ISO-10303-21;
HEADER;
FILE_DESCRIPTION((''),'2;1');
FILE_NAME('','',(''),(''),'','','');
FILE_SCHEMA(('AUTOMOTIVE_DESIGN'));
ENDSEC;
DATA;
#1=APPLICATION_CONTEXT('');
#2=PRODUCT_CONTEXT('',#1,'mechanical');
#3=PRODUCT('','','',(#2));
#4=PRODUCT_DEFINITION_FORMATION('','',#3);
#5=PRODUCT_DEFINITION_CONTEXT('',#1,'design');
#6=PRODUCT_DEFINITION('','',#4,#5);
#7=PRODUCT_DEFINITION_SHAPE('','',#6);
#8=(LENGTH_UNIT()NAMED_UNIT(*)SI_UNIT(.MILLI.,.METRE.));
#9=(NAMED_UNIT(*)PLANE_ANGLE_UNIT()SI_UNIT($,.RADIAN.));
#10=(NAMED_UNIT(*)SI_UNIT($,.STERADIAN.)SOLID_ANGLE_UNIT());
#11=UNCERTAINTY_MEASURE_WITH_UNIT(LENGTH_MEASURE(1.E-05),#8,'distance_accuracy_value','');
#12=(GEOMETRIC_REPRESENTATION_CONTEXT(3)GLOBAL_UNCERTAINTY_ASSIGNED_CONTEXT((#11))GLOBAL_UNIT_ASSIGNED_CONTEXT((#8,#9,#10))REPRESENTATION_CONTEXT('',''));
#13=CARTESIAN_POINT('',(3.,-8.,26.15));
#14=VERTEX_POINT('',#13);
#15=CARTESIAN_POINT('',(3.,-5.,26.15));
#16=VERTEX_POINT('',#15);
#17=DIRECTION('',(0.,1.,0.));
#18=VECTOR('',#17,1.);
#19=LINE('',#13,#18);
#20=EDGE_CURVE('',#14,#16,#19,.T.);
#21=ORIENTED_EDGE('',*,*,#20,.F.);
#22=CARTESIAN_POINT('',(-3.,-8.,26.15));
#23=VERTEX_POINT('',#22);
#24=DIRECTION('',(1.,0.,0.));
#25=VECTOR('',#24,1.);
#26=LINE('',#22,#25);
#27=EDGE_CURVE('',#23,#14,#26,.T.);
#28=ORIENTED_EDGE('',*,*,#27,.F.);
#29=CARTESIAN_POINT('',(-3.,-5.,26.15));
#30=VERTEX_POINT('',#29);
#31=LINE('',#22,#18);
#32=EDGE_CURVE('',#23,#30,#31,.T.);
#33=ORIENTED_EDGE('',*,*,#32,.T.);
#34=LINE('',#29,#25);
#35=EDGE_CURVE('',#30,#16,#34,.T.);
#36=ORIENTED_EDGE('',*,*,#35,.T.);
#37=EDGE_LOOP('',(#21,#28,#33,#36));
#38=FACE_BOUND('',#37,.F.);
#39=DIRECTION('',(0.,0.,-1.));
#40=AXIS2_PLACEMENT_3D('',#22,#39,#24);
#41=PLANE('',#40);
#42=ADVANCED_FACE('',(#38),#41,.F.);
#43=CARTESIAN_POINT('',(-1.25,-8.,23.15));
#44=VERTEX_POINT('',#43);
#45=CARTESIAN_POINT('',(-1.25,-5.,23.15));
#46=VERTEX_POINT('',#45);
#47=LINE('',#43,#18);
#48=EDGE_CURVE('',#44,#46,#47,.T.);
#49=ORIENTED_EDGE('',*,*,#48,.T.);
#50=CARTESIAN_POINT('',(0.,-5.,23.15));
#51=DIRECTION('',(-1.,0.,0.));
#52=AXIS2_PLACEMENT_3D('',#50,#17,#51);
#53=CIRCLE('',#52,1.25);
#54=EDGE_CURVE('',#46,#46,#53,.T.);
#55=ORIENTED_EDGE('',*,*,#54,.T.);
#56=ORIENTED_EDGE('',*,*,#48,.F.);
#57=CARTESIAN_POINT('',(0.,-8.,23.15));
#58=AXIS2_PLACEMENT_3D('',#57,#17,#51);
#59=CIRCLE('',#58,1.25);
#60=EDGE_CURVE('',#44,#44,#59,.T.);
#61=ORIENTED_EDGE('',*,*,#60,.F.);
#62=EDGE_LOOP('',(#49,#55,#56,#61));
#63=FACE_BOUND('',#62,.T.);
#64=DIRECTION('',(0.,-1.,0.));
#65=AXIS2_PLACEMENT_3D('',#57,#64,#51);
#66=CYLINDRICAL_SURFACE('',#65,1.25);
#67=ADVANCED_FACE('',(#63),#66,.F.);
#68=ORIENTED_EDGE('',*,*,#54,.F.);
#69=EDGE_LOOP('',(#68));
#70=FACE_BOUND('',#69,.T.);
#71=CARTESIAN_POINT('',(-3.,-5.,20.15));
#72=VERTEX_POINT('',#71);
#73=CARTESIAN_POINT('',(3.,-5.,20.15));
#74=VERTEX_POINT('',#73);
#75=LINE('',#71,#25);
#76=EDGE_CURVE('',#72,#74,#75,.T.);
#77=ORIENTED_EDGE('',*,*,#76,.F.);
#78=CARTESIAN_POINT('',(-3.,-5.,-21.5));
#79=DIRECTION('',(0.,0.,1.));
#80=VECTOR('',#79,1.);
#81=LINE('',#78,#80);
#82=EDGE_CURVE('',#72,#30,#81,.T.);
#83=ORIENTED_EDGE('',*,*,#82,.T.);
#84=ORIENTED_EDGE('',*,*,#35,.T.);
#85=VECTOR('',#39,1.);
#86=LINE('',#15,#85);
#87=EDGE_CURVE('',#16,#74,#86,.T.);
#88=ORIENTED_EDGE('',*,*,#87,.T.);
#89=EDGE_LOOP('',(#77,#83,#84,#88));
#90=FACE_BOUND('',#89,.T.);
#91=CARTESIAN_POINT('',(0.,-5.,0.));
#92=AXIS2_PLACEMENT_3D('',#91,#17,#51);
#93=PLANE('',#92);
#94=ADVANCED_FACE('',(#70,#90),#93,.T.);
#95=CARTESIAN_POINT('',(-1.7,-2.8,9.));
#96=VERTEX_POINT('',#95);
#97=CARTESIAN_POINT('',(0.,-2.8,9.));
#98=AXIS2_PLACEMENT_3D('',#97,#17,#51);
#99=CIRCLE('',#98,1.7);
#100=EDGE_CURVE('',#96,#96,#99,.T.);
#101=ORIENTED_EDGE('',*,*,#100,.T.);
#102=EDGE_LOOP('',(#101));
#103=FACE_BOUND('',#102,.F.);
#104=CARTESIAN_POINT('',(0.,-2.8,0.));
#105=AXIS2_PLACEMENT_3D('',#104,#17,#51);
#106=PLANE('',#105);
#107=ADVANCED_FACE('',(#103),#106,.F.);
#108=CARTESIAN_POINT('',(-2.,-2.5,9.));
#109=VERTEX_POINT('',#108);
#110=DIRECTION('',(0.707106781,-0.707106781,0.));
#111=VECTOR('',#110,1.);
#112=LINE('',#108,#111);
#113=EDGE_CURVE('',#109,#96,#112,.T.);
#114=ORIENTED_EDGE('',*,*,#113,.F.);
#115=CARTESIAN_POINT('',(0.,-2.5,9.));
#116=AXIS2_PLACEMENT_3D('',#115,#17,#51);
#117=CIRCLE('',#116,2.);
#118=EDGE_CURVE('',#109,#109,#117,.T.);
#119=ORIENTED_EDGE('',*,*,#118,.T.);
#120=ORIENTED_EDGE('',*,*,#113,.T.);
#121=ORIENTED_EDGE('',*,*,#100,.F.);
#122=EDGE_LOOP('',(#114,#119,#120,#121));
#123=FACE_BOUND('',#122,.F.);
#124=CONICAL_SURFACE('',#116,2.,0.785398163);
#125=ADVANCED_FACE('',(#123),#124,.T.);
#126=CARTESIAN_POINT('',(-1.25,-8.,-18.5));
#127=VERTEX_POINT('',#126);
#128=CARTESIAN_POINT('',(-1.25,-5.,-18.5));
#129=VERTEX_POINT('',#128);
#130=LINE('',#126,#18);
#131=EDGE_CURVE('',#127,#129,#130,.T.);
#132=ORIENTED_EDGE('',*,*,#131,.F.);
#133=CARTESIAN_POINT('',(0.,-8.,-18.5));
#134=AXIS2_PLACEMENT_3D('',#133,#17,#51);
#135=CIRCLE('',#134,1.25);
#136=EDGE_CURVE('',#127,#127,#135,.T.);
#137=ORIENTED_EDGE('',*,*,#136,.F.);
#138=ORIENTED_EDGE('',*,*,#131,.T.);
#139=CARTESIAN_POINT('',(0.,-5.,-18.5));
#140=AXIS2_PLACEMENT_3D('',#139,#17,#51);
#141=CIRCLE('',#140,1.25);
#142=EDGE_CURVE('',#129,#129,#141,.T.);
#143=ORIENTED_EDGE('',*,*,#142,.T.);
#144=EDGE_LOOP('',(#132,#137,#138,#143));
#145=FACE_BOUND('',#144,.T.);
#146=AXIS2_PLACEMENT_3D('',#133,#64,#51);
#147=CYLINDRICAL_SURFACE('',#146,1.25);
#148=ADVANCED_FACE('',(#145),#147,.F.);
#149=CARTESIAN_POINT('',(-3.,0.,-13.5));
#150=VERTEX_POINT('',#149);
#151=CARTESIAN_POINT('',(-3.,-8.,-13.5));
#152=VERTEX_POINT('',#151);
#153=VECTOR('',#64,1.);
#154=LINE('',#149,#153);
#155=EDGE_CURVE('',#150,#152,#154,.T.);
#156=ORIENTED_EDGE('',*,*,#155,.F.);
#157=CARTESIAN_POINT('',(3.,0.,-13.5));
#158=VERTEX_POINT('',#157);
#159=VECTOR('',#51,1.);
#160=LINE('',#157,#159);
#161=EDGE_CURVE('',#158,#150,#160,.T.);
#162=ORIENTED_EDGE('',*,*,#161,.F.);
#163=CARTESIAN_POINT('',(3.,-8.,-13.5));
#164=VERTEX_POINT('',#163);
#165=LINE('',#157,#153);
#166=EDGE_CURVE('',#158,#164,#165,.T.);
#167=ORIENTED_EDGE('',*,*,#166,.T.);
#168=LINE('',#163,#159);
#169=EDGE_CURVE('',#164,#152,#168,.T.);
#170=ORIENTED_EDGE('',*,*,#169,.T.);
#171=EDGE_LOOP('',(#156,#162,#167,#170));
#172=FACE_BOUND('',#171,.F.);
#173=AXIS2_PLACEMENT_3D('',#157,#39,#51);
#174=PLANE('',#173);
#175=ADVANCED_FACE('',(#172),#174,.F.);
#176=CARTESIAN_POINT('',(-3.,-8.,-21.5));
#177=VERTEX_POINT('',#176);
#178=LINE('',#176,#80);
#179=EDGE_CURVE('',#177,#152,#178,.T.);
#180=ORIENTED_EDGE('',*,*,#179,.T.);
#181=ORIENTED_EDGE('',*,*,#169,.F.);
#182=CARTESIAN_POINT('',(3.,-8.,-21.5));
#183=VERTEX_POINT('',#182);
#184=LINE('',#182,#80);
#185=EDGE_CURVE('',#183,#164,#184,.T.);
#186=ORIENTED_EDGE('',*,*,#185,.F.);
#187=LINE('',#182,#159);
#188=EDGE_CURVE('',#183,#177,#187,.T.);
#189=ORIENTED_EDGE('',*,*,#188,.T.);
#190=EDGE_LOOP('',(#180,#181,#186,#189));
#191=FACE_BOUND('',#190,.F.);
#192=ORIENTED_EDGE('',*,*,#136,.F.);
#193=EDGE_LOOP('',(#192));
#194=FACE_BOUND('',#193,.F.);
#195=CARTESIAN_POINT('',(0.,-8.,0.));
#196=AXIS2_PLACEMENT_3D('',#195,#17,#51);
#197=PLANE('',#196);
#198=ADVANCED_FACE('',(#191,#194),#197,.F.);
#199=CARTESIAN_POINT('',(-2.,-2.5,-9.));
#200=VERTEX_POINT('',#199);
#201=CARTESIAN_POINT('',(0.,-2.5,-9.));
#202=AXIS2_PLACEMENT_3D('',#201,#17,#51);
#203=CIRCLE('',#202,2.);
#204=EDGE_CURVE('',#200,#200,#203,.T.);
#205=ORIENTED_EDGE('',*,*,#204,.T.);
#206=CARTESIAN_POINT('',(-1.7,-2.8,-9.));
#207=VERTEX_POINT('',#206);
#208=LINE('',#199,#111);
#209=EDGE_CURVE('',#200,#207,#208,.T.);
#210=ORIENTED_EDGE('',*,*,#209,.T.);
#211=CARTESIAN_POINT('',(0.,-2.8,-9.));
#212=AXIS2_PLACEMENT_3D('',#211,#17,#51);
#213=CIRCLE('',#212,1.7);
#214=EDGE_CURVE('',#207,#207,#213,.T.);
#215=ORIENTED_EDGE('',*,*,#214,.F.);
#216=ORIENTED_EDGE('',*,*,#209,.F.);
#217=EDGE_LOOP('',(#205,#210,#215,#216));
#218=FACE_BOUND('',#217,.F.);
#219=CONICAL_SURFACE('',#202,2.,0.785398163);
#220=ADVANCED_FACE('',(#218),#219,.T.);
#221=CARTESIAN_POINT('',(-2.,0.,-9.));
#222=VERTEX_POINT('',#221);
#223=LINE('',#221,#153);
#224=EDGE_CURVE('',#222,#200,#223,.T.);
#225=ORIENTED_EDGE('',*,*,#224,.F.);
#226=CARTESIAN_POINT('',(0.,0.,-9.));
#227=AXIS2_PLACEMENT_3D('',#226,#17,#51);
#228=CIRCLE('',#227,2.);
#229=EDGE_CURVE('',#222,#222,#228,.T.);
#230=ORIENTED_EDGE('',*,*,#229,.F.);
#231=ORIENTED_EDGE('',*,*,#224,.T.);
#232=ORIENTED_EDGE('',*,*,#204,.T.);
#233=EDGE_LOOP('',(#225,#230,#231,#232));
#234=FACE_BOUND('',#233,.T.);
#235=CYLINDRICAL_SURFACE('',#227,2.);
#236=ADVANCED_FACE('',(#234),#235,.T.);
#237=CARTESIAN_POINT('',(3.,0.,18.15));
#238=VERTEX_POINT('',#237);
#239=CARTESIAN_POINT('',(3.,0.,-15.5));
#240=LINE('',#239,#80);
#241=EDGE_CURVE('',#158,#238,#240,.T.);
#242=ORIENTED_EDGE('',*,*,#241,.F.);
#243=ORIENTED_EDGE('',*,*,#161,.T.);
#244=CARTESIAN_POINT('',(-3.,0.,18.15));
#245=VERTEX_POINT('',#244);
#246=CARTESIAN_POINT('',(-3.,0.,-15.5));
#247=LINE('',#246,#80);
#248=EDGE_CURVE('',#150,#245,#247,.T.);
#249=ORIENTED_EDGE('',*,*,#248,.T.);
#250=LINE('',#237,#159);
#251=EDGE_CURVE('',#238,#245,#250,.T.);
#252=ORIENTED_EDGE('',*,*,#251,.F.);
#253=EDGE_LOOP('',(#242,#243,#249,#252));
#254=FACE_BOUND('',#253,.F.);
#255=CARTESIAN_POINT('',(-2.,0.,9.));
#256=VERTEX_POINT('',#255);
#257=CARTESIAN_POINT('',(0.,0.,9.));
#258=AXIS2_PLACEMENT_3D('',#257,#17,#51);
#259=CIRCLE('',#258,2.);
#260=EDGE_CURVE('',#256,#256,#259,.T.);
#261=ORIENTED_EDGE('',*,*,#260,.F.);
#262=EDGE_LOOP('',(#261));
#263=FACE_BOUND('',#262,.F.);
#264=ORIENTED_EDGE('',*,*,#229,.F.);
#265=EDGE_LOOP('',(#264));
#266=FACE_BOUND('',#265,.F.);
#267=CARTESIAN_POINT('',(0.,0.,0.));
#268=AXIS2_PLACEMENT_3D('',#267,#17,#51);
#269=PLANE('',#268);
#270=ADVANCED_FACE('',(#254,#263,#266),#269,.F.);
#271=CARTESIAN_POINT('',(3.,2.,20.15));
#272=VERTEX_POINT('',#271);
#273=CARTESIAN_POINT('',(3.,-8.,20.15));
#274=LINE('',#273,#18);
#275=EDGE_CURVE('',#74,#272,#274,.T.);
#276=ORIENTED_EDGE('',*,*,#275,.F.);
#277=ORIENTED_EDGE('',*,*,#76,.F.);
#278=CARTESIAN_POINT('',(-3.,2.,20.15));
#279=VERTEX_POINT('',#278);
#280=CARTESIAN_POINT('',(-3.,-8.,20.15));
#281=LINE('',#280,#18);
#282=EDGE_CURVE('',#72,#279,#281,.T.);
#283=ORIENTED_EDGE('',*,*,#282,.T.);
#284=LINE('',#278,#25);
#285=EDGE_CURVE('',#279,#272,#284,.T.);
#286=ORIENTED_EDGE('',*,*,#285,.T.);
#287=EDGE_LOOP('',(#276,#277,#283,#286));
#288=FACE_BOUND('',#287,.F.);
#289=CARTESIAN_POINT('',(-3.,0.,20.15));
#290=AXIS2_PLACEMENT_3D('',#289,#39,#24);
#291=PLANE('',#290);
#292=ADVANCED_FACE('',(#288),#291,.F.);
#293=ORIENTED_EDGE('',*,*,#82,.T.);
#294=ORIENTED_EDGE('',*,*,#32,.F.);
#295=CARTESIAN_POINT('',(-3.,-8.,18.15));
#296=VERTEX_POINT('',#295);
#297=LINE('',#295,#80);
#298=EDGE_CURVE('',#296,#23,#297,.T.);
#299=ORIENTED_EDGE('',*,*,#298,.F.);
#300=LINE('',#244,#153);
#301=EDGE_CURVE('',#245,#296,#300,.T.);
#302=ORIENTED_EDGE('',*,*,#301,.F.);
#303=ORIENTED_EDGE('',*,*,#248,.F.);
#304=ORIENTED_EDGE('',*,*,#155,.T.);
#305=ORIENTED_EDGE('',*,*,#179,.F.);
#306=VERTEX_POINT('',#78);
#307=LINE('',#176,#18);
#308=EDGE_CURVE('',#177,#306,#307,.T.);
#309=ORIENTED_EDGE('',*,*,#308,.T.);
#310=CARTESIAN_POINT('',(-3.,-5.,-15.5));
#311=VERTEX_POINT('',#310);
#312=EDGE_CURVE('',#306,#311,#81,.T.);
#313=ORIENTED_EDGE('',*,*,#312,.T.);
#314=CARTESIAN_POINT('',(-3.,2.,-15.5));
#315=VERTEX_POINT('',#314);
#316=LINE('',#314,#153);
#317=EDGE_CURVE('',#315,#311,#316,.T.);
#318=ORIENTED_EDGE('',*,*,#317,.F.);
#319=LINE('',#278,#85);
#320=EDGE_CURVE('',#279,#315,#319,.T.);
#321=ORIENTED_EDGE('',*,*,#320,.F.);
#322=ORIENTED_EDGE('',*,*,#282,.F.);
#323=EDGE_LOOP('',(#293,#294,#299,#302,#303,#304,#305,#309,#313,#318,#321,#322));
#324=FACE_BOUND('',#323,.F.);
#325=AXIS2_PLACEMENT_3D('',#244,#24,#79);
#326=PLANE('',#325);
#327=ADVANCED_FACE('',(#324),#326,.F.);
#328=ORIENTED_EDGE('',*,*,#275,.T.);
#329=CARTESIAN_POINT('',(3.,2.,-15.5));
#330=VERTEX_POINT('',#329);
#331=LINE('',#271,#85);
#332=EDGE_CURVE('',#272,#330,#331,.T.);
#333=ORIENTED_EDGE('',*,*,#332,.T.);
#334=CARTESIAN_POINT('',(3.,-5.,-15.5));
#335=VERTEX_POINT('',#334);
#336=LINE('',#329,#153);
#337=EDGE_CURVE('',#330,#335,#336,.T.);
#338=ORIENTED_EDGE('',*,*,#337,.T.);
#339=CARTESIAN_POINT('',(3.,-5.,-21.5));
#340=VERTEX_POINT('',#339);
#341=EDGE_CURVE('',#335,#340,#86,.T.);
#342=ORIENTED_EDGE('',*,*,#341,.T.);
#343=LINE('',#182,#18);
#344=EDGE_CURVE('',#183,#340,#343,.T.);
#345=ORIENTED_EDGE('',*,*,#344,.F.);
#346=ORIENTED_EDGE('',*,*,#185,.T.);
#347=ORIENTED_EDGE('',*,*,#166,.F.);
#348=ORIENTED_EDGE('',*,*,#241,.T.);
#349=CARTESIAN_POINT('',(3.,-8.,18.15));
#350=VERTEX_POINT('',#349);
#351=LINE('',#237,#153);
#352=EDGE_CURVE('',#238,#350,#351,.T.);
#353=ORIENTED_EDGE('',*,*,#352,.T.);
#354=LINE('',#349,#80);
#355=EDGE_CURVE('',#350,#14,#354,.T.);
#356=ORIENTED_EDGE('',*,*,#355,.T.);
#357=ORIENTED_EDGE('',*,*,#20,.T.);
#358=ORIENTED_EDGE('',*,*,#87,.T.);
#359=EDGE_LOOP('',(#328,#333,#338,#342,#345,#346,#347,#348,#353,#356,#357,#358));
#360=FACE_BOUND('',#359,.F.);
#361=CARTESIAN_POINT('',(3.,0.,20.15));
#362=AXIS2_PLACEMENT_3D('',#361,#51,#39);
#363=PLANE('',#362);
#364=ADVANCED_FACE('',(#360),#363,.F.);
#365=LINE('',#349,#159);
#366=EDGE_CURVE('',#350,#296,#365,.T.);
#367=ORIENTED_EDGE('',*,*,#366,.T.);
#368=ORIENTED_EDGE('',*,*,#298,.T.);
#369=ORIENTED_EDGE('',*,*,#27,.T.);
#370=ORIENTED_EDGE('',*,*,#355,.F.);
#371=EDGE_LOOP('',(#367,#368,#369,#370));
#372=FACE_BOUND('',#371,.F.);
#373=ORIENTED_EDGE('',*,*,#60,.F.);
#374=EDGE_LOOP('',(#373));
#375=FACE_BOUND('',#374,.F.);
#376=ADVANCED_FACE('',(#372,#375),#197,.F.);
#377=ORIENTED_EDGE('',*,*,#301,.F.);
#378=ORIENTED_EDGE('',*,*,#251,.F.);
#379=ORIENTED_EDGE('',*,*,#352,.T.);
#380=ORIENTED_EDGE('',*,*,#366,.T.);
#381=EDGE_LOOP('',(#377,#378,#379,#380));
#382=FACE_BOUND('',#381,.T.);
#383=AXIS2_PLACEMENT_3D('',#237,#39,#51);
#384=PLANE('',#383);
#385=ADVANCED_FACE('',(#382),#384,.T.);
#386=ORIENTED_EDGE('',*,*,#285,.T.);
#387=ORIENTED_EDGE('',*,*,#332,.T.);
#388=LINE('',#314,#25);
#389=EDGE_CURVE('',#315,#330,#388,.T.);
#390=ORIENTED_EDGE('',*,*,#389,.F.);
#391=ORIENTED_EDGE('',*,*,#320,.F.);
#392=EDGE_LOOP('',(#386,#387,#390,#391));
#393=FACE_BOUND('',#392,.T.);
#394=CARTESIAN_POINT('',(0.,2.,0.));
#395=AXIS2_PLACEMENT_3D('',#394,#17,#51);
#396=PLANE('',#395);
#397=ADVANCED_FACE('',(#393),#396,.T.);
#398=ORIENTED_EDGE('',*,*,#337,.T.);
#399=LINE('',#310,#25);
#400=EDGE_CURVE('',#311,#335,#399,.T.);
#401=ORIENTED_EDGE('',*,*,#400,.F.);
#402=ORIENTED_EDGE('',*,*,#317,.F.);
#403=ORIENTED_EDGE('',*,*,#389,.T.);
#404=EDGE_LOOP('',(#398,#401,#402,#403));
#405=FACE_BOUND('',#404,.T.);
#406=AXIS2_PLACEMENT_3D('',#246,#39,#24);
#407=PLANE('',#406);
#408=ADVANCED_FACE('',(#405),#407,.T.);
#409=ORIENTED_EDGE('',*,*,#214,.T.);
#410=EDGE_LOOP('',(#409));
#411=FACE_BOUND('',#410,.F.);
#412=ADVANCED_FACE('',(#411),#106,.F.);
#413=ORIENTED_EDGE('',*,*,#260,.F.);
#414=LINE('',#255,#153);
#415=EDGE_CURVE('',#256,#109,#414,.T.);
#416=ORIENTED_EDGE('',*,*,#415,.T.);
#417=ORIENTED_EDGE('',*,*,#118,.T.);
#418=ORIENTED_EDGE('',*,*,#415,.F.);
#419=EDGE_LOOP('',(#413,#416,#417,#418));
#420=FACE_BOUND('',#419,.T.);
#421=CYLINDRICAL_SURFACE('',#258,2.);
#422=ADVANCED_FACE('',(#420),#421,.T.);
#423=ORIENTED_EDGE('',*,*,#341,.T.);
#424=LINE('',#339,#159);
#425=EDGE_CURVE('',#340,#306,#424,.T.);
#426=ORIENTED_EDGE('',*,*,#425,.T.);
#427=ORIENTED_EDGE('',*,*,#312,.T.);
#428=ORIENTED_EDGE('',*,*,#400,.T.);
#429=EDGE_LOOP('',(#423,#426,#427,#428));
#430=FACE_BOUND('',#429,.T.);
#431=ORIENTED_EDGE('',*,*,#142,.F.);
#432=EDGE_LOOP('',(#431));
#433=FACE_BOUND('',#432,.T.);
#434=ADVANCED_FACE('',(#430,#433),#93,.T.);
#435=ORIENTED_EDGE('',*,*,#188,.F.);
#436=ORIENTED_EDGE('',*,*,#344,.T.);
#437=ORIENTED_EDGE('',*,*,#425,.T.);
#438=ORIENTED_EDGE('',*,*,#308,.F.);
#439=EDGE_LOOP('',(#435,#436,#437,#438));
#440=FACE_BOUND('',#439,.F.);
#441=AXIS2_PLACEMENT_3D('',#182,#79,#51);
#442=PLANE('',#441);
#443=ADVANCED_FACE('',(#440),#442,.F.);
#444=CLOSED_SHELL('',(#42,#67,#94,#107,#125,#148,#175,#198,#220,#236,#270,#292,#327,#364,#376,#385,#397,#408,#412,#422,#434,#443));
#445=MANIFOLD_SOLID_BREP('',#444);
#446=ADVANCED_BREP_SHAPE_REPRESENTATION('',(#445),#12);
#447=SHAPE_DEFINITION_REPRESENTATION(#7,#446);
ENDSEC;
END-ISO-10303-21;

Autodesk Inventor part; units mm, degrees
ref_plane "YZ Plane" through (0, 0, 0) normal (1, 0, 0) x (0, 1, 0)
ref_plane "XZ Plane" through (0, 0, 0) normal (0, 1, 0) x (-1, 0, 0)
ref_plane "XY Plane" through (0, 0, 0) normal (0, 0, 1) x (1, 0, 0)
sketch "スケッチ1" plane through (0, 0, 0) normal (0, 1, 0) x (-1, 0, 0)
  line L0 (3, 26.15) -> (-3, 26.15)
  line L1 (-3, 26.15) -> (-3, -21.5)
  line L2 (-3, -21.5) -> (3, -21.5)
  line L3 (3, -21.5) -> (3, 26.15)
  line L4 (4.2, 0) -> (-4.2, 0) construction
  line L5 (4.2, 9) -> (-4.2, 9) construction
  line L6 (4.2, -9) -> (-4.2, -9) construction
  line L7 (0, -31.03) -> (0, 35.68) construction
  circle A0 centre (0, 9) radius 2
  circle A1 centre (0, -9) radius 2
  line L8 (0, 26.15) -> (0, -21.5) construction
  line L9 (3, 20.15) -> (-3, 20.15)
  line L10 (3, -15.5) -> (-3, -15.5)
  line L11 (3, 26.15) -> (-3, 20.15) construction
  line L12 (3, -15.5) -> (-3, -21.5) construction
  circle A2 centre (0, 23.15) radius 1.25
  circle A3 centre (0, -18.5) radius 1.25
  line L13 (-3, 18.15) -> (3, 18.15)
  line L14 (-3, -13.5) -> (3, -13.5)
  point P0 (0, 0)
  dimension "d0" = 6
  dimension "d1" = 9
  dimension "d2" = 9
  dimension "d3" = 4
  dimension "d4" = 12.5
  dimension "d5" = 17.15
  dimension "d6" = 6
  dimension "d7" = 6
  dimension "d8" = 2.5
  dimension "d11" = 4.5
  dimension "d12" = 9.15
extrude "押し出し1" add sketch "スケッチ1" along normal blind 2 contours L3 L13 L1 L9 | L3 L14 L1 L13 | L3 L10 L1 L14 | A0 | A1
extrude "押し出し2" add sketch "スケッチ1" against normal blind 8 contours L3 L13 L1 L9 | L3 L10 L1 L14
extrude "押し出し3" add sketch "スケッチ1" along normal blind 3 from surface at -8 contours L3 L9 L1 L0 | L3 L2 L1 L10
extrude "押し出し4" add sketch "スケッチ1" against normal blind 2.8 contours A0 | A1
chamfer "面取り1" distance 0.3 angle 45 2 edges at (2, -2.8, 9) (2, -2.8, -9)
properties part number "housing_xl320"
